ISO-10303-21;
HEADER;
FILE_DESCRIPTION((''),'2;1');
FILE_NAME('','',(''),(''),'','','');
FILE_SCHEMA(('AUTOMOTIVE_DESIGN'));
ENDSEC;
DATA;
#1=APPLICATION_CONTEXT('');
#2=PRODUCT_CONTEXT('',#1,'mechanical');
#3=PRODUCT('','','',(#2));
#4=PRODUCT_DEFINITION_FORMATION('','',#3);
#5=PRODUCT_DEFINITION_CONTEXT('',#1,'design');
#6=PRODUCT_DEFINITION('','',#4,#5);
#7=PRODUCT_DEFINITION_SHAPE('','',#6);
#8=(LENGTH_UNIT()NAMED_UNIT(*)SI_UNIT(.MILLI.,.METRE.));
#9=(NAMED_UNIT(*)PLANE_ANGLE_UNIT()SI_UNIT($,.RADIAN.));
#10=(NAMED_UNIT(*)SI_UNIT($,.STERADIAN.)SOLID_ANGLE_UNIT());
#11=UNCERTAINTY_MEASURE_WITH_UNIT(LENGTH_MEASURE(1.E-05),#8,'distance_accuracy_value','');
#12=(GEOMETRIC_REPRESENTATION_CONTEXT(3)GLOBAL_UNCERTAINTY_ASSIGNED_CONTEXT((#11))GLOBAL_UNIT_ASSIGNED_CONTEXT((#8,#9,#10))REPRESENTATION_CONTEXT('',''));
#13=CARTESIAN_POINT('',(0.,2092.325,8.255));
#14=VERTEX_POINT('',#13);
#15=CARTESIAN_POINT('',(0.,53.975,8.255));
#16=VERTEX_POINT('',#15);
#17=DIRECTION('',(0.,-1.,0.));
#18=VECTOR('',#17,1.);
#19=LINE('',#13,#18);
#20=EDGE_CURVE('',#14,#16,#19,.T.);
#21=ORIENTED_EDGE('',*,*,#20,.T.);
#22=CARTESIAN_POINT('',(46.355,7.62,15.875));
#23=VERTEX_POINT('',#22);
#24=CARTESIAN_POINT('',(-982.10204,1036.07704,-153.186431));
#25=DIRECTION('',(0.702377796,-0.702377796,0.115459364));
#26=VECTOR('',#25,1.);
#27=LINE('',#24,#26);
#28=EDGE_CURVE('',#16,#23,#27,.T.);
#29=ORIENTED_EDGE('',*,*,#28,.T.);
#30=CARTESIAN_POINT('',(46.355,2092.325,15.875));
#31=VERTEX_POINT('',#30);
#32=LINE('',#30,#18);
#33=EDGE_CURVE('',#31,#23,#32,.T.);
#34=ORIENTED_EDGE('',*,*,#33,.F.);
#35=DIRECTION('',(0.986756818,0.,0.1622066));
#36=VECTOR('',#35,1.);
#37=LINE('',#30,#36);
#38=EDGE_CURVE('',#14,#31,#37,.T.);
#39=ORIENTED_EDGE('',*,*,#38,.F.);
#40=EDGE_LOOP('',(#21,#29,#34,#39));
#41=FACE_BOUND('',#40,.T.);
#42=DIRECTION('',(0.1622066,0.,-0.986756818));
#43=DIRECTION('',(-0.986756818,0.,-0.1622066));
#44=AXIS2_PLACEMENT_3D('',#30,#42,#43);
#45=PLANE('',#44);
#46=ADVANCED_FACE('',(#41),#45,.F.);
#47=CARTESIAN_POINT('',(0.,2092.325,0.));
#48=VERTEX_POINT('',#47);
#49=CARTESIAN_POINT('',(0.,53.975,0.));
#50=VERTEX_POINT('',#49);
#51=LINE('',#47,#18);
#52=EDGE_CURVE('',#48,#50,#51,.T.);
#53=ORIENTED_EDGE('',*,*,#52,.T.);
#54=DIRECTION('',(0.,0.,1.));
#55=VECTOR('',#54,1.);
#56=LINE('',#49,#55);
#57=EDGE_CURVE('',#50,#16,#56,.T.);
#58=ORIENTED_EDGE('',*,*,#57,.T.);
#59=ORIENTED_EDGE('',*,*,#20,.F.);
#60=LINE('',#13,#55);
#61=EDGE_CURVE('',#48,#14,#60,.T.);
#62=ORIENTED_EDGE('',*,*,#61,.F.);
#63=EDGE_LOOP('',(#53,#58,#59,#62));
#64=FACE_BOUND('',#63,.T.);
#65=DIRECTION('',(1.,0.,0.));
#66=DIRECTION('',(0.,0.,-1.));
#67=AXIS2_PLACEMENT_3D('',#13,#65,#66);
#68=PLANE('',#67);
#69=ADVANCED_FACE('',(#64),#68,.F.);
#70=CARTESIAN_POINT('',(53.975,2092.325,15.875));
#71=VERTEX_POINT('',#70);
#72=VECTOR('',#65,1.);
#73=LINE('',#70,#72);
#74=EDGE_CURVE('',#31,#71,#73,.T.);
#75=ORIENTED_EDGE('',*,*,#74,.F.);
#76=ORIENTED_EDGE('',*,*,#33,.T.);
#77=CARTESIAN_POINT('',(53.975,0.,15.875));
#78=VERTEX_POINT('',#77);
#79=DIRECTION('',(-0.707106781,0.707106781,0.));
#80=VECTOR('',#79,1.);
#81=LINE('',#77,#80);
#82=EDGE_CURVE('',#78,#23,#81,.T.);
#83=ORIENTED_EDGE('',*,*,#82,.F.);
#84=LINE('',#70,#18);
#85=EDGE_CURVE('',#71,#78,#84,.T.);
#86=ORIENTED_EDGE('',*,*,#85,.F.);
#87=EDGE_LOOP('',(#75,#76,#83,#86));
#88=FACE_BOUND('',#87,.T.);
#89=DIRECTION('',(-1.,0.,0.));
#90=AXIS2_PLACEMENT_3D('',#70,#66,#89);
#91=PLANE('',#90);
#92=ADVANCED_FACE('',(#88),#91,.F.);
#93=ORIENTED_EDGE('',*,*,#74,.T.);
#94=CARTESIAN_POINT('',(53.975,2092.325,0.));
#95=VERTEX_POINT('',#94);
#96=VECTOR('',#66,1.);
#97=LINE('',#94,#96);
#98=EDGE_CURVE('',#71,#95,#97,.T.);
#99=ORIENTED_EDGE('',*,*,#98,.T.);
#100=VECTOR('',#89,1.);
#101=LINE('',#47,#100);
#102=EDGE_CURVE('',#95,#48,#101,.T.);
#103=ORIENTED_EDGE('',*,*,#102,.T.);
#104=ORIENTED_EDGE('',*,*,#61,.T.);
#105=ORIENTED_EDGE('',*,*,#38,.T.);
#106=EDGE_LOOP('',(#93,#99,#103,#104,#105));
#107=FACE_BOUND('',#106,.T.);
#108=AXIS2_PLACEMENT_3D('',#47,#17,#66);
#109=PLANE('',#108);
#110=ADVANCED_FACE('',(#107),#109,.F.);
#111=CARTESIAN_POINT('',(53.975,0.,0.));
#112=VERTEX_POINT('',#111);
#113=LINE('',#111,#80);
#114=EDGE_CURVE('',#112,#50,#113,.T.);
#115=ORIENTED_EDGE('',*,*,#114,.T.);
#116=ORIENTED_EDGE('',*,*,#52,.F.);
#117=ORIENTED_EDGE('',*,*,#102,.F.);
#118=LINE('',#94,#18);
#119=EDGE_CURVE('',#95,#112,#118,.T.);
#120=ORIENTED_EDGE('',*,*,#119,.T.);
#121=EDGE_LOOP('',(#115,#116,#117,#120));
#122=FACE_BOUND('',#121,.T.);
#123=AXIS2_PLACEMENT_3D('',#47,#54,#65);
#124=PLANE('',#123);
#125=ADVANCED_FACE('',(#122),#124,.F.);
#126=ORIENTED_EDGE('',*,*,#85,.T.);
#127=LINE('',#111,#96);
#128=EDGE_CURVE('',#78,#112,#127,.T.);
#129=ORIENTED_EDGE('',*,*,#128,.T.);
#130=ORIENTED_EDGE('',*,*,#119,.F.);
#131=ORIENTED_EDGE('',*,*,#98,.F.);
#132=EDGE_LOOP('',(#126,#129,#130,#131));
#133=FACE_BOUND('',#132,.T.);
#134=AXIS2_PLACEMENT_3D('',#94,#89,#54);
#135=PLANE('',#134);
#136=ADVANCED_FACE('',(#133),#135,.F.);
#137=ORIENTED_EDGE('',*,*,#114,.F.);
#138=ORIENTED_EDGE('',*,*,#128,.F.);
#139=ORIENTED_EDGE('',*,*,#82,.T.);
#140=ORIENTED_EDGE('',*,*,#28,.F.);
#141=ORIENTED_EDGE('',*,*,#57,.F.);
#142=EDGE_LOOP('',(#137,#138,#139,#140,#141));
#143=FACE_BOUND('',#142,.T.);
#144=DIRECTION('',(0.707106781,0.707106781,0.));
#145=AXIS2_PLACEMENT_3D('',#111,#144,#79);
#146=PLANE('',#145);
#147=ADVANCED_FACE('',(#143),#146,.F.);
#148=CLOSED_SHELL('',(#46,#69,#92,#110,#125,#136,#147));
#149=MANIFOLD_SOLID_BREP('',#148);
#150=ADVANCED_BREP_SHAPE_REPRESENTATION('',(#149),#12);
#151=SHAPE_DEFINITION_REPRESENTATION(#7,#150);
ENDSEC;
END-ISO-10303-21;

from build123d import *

# Parameters (mm, degrees)
BOSS_EXTRUDE1_DEPTH = 2092.325
CUT_EXTRUDE2_DEPTH  = 2094.081274551


with BuildPart() as part:
    # Sketch1 → Boss-Extrude1 (new body)
    with BuildSketch(Plane(origin=(0, 0, 0), x_dir=(1, 0, 0), z_dir=(0, 1, 0))):
        Polygon((0, 0), (53.975, 0), (53.975, -15.875), (46.355, -15.875), (0, -8.255), align=None)
    extrude(amount=BOSS_EXTRUDE1_DEPTH)

    # Sketch3 → Cut-Extrude2 (cut, through all)
    with BuildSketch(Plane.XY.offset(15.875)):
        Polygon((53.975, 0), (0, 53.975), (0, 0), align=None)
    extrude(amount=-CUT_EXTRUDE2_DEPTH, mode=Mode.SUBTRACT)


solid = part.part
